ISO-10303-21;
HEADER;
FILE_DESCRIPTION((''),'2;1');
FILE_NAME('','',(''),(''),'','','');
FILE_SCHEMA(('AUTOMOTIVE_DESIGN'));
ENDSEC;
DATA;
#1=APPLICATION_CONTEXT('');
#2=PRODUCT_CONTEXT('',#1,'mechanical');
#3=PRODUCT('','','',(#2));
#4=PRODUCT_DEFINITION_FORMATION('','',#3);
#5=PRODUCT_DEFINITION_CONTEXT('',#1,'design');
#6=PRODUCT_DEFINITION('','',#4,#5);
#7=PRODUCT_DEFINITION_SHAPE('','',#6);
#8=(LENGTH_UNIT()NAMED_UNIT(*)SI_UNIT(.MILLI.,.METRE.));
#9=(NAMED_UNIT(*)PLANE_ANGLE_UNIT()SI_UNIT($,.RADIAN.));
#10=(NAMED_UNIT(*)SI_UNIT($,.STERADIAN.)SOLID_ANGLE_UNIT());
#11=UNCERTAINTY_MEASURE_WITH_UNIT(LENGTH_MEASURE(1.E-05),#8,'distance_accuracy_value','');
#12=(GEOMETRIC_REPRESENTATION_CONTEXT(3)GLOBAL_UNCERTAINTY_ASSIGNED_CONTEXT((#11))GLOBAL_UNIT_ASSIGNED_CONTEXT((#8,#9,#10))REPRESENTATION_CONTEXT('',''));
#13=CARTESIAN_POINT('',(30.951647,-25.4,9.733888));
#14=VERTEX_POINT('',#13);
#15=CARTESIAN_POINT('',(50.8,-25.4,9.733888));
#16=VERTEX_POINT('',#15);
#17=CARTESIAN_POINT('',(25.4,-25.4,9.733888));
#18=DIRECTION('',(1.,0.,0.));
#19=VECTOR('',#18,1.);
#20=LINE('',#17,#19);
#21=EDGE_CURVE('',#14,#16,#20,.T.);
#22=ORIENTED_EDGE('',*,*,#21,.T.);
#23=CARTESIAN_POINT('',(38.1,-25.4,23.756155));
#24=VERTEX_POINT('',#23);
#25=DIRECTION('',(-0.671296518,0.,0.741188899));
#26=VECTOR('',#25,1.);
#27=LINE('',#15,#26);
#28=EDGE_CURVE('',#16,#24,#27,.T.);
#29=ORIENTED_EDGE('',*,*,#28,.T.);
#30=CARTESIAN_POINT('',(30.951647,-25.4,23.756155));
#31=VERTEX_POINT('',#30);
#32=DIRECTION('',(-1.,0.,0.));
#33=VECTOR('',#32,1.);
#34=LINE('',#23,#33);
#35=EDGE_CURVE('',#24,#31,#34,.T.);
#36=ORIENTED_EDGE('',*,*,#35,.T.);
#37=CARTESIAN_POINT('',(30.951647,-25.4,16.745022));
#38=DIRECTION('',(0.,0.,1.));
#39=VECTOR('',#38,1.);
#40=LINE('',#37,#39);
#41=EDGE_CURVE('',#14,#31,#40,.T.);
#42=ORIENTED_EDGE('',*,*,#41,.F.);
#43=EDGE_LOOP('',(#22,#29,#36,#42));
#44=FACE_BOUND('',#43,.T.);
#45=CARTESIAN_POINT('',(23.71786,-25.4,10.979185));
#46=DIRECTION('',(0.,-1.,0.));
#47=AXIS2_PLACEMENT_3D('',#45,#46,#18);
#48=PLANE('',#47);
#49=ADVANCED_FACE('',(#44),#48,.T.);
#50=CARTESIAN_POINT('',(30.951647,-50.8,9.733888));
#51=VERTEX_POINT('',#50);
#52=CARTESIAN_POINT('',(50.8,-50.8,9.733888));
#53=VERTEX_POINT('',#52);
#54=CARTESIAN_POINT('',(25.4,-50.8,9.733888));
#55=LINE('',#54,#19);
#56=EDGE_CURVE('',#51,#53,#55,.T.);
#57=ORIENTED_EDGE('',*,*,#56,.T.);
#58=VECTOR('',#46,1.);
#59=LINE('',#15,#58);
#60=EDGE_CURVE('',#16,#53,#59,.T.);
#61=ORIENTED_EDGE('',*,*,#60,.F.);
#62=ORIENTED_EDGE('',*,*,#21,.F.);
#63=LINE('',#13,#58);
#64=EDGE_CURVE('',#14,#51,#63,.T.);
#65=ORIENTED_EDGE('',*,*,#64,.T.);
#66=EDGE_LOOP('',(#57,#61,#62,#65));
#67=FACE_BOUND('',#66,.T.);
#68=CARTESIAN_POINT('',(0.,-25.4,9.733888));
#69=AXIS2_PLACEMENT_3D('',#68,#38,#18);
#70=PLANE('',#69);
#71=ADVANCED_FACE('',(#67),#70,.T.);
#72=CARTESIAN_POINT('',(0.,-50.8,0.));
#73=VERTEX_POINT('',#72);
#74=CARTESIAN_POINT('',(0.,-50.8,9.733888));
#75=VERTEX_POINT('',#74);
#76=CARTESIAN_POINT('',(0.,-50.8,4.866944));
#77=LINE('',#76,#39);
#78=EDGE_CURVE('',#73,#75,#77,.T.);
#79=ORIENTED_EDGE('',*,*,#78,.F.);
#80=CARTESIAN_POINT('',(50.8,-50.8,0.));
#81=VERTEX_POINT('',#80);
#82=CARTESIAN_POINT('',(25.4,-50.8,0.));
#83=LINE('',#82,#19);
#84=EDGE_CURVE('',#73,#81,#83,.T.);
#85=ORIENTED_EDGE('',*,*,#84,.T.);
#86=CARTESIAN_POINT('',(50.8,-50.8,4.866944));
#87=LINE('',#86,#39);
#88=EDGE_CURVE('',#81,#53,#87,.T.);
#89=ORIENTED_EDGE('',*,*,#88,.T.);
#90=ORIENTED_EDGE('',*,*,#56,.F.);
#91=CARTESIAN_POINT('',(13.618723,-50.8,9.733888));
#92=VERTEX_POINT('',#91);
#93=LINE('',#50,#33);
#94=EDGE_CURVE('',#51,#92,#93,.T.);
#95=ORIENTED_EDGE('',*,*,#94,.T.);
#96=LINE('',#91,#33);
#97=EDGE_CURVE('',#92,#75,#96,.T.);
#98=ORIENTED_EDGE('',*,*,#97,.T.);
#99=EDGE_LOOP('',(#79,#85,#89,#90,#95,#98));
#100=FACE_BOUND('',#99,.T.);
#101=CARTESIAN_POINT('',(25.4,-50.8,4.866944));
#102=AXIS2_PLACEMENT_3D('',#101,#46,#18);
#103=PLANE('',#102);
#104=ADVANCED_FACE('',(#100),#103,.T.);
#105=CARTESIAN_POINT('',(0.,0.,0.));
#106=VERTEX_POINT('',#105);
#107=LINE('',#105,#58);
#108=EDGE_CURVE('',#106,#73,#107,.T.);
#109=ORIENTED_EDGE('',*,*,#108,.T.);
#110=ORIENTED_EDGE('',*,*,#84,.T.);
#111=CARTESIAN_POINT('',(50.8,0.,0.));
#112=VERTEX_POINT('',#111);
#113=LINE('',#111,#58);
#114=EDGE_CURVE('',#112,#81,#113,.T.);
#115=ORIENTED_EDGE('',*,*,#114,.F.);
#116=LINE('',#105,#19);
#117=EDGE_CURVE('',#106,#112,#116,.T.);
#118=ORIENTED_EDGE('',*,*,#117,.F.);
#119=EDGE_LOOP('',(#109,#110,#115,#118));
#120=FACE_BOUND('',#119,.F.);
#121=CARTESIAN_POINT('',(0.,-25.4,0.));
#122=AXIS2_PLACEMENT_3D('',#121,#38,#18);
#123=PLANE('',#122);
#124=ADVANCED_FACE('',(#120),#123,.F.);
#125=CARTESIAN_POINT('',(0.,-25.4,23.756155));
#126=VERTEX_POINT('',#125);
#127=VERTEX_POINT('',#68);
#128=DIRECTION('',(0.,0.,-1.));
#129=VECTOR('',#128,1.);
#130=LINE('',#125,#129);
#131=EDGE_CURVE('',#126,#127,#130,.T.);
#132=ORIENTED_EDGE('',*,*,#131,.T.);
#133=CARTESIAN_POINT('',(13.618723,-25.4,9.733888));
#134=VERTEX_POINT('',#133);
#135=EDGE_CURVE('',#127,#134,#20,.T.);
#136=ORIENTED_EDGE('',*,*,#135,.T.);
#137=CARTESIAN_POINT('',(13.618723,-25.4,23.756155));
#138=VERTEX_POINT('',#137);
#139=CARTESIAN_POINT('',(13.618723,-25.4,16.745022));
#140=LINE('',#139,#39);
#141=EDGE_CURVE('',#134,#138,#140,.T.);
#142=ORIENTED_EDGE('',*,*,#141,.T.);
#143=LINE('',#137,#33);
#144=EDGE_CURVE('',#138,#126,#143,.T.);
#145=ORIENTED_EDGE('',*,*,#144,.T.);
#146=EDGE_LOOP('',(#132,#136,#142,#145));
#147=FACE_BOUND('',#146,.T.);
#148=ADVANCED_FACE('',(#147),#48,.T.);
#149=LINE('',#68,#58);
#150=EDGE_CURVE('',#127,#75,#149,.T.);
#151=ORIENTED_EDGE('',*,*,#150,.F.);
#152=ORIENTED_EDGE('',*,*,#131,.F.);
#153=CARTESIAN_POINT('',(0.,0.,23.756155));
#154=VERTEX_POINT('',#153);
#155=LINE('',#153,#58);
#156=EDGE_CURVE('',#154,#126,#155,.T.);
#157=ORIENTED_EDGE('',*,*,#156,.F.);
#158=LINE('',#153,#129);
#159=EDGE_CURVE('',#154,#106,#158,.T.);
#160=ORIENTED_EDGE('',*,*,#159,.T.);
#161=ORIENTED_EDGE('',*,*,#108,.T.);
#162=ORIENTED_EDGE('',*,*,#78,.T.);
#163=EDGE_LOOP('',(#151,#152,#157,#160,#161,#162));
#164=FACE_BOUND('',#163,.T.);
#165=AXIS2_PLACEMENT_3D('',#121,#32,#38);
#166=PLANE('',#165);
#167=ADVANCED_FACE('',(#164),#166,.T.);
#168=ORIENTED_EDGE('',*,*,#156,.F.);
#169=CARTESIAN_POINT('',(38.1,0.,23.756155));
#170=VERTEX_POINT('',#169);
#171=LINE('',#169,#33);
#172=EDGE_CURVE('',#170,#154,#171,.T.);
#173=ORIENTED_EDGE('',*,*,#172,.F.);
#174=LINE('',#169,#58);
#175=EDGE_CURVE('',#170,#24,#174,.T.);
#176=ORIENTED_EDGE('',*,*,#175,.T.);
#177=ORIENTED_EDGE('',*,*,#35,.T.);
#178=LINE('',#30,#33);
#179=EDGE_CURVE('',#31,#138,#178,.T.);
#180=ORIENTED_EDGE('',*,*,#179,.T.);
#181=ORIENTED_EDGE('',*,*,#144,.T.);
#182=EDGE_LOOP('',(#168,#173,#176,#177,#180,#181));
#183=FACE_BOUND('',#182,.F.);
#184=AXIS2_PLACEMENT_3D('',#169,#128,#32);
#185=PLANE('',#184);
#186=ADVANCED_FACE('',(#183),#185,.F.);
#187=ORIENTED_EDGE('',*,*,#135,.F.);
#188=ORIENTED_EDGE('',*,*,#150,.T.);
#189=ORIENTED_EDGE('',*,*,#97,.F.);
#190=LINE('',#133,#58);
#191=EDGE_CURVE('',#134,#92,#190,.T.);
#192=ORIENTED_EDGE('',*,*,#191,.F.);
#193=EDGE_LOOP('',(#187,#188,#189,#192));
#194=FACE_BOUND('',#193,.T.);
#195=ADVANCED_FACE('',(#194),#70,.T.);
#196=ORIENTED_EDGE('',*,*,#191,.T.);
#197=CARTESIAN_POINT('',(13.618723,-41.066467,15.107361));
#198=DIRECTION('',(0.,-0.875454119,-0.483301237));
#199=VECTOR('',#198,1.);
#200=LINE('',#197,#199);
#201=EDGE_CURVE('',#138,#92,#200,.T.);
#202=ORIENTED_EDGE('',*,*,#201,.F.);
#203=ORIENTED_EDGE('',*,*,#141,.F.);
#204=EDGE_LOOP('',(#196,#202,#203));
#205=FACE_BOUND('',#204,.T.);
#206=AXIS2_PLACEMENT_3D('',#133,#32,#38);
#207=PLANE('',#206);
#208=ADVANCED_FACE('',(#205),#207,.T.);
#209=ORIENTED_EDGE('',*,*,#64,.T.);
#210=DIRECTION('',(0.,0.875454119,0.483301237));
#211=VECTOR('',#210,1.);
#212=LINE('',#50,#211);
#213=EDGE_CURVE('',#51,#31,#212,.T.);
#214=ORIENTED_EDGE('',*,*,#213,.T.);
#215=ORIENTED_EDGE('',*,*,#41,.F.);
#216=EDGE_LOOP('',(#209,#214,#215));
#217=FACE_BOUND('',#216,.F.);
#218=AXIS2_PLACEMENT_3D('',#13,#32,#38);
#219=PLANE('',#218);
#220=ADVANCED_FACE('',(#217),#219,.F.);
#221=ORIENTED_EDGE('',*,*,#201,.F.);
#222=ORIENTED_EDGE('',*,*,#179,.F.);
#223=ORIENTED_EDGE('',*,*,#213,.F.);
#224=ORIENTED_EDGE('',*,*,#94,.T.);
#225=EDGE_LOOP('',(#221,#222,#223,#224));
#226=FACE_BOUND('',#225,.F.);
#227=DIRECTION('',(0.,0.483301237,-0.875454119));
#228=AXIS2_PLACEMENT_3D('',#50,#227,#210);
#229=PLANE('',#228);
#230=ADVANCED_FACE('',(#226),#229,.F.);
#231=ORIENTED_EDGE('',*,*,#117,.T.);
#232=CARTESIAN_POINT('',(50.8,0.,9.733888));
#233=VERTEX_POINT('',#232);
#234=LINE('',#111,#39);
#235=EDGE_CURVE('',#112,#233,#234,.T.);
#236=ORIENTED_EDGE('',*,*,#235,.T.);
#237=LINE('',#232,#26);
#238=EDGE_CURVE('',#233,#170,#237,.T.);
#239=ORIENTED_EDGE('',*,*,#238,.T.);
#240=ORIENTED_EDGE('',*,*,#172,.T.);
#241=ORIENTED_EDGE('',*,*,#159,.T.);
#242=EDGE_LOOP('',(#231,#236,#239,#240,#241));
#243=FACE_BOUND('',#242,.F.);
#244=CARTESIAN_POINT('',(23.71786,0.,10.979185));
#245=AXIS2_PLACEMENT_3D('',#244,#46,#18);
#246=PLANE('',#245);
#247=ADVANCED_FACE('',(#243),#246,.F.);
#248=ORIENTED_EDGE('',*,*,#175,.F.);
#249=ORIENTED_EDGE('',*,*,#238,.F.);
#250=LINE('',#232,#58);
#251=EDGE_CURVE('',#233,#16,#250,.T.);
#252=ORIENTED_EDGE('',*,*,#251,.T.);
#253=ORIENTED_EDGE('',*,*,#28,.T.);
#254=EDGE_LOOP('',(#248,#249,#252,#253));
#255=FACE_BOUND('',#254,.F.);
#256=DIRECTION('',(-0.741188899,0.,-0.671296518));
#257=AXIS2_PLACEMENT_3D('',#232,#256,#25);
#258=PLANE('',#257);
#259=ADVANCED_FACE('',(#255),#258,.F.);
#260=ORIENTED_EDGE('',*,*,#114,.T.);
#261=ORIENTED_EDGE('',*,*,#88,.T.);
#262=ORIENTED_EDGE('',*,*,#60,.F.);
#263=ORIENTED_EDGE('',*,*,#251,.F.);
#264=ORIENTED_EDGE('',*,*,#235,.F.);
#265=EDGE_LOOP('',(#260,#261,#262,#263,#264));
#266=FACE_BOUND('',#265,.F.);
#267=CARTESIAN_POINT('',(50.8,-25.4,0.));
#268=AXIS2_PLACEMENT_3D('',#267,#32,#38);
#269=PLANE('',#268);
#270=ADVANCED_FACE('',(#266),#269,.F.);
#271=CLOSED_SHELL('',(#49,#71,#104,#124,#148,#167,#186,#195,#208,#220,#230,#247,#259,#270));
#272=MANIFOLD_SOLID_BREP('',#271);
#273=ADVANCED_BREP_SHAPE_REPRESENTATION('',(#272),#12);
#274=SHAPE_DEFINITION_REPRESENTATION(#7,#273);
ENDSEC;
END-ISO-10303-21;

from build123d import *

# Parameters (mm, degrees)
F1_DEPTH = 25.4
F2_W     = 50.8
F2_H     = 9.7338882406
F3_DEPTH = 25.4
F4_W     = 17.3329235986
F4_H     = 14.0222670068
F5_DEPTH = 25.4
F7_DEPTH = 25.4


with BuildPart() as f1:
    # F0 (on Front) → F1 (new body)
    with BuildSketch(Plane.XZ):
        Polygon((0, 23.7561552475), (0, 0), (50.8, 0), (50.8, 9.7338882406), (38.1, 23.7561552475), align=None)
    extrude(amount=F1_DEPTH)

    # F2 (on face) → F3 (join)
    with BuildSketch(Plane.XZ.offset(25.4)):
        with Locations((25.4, 4.8669441203)):
            Rectangle(F2_W, F2_H)
    extrude(amount=F3_DEPTH)

    # F4 (on face) → F5 (join)
    with BuildSketch(Plane.XZ.offset(25.4)):
        with Locations((22.2851852886, 16.7450217441)):
            Rectangle(F4_W, F4_H)
    extrude(amount=F5_DEPTH)

    # F6 (on face) → F7 (cut)
    with BuildSketch(Plane.YZ.offset(30.9516470879)):
        Polygon((-50.8, 23.7561552475), (-50.8, 9.7338882406), (-25.4, 23.7561552475), align=None)
    extrude(amount=-F7_DEPTH, mode=Mode.SUBTRACT)


solid = f1.part
